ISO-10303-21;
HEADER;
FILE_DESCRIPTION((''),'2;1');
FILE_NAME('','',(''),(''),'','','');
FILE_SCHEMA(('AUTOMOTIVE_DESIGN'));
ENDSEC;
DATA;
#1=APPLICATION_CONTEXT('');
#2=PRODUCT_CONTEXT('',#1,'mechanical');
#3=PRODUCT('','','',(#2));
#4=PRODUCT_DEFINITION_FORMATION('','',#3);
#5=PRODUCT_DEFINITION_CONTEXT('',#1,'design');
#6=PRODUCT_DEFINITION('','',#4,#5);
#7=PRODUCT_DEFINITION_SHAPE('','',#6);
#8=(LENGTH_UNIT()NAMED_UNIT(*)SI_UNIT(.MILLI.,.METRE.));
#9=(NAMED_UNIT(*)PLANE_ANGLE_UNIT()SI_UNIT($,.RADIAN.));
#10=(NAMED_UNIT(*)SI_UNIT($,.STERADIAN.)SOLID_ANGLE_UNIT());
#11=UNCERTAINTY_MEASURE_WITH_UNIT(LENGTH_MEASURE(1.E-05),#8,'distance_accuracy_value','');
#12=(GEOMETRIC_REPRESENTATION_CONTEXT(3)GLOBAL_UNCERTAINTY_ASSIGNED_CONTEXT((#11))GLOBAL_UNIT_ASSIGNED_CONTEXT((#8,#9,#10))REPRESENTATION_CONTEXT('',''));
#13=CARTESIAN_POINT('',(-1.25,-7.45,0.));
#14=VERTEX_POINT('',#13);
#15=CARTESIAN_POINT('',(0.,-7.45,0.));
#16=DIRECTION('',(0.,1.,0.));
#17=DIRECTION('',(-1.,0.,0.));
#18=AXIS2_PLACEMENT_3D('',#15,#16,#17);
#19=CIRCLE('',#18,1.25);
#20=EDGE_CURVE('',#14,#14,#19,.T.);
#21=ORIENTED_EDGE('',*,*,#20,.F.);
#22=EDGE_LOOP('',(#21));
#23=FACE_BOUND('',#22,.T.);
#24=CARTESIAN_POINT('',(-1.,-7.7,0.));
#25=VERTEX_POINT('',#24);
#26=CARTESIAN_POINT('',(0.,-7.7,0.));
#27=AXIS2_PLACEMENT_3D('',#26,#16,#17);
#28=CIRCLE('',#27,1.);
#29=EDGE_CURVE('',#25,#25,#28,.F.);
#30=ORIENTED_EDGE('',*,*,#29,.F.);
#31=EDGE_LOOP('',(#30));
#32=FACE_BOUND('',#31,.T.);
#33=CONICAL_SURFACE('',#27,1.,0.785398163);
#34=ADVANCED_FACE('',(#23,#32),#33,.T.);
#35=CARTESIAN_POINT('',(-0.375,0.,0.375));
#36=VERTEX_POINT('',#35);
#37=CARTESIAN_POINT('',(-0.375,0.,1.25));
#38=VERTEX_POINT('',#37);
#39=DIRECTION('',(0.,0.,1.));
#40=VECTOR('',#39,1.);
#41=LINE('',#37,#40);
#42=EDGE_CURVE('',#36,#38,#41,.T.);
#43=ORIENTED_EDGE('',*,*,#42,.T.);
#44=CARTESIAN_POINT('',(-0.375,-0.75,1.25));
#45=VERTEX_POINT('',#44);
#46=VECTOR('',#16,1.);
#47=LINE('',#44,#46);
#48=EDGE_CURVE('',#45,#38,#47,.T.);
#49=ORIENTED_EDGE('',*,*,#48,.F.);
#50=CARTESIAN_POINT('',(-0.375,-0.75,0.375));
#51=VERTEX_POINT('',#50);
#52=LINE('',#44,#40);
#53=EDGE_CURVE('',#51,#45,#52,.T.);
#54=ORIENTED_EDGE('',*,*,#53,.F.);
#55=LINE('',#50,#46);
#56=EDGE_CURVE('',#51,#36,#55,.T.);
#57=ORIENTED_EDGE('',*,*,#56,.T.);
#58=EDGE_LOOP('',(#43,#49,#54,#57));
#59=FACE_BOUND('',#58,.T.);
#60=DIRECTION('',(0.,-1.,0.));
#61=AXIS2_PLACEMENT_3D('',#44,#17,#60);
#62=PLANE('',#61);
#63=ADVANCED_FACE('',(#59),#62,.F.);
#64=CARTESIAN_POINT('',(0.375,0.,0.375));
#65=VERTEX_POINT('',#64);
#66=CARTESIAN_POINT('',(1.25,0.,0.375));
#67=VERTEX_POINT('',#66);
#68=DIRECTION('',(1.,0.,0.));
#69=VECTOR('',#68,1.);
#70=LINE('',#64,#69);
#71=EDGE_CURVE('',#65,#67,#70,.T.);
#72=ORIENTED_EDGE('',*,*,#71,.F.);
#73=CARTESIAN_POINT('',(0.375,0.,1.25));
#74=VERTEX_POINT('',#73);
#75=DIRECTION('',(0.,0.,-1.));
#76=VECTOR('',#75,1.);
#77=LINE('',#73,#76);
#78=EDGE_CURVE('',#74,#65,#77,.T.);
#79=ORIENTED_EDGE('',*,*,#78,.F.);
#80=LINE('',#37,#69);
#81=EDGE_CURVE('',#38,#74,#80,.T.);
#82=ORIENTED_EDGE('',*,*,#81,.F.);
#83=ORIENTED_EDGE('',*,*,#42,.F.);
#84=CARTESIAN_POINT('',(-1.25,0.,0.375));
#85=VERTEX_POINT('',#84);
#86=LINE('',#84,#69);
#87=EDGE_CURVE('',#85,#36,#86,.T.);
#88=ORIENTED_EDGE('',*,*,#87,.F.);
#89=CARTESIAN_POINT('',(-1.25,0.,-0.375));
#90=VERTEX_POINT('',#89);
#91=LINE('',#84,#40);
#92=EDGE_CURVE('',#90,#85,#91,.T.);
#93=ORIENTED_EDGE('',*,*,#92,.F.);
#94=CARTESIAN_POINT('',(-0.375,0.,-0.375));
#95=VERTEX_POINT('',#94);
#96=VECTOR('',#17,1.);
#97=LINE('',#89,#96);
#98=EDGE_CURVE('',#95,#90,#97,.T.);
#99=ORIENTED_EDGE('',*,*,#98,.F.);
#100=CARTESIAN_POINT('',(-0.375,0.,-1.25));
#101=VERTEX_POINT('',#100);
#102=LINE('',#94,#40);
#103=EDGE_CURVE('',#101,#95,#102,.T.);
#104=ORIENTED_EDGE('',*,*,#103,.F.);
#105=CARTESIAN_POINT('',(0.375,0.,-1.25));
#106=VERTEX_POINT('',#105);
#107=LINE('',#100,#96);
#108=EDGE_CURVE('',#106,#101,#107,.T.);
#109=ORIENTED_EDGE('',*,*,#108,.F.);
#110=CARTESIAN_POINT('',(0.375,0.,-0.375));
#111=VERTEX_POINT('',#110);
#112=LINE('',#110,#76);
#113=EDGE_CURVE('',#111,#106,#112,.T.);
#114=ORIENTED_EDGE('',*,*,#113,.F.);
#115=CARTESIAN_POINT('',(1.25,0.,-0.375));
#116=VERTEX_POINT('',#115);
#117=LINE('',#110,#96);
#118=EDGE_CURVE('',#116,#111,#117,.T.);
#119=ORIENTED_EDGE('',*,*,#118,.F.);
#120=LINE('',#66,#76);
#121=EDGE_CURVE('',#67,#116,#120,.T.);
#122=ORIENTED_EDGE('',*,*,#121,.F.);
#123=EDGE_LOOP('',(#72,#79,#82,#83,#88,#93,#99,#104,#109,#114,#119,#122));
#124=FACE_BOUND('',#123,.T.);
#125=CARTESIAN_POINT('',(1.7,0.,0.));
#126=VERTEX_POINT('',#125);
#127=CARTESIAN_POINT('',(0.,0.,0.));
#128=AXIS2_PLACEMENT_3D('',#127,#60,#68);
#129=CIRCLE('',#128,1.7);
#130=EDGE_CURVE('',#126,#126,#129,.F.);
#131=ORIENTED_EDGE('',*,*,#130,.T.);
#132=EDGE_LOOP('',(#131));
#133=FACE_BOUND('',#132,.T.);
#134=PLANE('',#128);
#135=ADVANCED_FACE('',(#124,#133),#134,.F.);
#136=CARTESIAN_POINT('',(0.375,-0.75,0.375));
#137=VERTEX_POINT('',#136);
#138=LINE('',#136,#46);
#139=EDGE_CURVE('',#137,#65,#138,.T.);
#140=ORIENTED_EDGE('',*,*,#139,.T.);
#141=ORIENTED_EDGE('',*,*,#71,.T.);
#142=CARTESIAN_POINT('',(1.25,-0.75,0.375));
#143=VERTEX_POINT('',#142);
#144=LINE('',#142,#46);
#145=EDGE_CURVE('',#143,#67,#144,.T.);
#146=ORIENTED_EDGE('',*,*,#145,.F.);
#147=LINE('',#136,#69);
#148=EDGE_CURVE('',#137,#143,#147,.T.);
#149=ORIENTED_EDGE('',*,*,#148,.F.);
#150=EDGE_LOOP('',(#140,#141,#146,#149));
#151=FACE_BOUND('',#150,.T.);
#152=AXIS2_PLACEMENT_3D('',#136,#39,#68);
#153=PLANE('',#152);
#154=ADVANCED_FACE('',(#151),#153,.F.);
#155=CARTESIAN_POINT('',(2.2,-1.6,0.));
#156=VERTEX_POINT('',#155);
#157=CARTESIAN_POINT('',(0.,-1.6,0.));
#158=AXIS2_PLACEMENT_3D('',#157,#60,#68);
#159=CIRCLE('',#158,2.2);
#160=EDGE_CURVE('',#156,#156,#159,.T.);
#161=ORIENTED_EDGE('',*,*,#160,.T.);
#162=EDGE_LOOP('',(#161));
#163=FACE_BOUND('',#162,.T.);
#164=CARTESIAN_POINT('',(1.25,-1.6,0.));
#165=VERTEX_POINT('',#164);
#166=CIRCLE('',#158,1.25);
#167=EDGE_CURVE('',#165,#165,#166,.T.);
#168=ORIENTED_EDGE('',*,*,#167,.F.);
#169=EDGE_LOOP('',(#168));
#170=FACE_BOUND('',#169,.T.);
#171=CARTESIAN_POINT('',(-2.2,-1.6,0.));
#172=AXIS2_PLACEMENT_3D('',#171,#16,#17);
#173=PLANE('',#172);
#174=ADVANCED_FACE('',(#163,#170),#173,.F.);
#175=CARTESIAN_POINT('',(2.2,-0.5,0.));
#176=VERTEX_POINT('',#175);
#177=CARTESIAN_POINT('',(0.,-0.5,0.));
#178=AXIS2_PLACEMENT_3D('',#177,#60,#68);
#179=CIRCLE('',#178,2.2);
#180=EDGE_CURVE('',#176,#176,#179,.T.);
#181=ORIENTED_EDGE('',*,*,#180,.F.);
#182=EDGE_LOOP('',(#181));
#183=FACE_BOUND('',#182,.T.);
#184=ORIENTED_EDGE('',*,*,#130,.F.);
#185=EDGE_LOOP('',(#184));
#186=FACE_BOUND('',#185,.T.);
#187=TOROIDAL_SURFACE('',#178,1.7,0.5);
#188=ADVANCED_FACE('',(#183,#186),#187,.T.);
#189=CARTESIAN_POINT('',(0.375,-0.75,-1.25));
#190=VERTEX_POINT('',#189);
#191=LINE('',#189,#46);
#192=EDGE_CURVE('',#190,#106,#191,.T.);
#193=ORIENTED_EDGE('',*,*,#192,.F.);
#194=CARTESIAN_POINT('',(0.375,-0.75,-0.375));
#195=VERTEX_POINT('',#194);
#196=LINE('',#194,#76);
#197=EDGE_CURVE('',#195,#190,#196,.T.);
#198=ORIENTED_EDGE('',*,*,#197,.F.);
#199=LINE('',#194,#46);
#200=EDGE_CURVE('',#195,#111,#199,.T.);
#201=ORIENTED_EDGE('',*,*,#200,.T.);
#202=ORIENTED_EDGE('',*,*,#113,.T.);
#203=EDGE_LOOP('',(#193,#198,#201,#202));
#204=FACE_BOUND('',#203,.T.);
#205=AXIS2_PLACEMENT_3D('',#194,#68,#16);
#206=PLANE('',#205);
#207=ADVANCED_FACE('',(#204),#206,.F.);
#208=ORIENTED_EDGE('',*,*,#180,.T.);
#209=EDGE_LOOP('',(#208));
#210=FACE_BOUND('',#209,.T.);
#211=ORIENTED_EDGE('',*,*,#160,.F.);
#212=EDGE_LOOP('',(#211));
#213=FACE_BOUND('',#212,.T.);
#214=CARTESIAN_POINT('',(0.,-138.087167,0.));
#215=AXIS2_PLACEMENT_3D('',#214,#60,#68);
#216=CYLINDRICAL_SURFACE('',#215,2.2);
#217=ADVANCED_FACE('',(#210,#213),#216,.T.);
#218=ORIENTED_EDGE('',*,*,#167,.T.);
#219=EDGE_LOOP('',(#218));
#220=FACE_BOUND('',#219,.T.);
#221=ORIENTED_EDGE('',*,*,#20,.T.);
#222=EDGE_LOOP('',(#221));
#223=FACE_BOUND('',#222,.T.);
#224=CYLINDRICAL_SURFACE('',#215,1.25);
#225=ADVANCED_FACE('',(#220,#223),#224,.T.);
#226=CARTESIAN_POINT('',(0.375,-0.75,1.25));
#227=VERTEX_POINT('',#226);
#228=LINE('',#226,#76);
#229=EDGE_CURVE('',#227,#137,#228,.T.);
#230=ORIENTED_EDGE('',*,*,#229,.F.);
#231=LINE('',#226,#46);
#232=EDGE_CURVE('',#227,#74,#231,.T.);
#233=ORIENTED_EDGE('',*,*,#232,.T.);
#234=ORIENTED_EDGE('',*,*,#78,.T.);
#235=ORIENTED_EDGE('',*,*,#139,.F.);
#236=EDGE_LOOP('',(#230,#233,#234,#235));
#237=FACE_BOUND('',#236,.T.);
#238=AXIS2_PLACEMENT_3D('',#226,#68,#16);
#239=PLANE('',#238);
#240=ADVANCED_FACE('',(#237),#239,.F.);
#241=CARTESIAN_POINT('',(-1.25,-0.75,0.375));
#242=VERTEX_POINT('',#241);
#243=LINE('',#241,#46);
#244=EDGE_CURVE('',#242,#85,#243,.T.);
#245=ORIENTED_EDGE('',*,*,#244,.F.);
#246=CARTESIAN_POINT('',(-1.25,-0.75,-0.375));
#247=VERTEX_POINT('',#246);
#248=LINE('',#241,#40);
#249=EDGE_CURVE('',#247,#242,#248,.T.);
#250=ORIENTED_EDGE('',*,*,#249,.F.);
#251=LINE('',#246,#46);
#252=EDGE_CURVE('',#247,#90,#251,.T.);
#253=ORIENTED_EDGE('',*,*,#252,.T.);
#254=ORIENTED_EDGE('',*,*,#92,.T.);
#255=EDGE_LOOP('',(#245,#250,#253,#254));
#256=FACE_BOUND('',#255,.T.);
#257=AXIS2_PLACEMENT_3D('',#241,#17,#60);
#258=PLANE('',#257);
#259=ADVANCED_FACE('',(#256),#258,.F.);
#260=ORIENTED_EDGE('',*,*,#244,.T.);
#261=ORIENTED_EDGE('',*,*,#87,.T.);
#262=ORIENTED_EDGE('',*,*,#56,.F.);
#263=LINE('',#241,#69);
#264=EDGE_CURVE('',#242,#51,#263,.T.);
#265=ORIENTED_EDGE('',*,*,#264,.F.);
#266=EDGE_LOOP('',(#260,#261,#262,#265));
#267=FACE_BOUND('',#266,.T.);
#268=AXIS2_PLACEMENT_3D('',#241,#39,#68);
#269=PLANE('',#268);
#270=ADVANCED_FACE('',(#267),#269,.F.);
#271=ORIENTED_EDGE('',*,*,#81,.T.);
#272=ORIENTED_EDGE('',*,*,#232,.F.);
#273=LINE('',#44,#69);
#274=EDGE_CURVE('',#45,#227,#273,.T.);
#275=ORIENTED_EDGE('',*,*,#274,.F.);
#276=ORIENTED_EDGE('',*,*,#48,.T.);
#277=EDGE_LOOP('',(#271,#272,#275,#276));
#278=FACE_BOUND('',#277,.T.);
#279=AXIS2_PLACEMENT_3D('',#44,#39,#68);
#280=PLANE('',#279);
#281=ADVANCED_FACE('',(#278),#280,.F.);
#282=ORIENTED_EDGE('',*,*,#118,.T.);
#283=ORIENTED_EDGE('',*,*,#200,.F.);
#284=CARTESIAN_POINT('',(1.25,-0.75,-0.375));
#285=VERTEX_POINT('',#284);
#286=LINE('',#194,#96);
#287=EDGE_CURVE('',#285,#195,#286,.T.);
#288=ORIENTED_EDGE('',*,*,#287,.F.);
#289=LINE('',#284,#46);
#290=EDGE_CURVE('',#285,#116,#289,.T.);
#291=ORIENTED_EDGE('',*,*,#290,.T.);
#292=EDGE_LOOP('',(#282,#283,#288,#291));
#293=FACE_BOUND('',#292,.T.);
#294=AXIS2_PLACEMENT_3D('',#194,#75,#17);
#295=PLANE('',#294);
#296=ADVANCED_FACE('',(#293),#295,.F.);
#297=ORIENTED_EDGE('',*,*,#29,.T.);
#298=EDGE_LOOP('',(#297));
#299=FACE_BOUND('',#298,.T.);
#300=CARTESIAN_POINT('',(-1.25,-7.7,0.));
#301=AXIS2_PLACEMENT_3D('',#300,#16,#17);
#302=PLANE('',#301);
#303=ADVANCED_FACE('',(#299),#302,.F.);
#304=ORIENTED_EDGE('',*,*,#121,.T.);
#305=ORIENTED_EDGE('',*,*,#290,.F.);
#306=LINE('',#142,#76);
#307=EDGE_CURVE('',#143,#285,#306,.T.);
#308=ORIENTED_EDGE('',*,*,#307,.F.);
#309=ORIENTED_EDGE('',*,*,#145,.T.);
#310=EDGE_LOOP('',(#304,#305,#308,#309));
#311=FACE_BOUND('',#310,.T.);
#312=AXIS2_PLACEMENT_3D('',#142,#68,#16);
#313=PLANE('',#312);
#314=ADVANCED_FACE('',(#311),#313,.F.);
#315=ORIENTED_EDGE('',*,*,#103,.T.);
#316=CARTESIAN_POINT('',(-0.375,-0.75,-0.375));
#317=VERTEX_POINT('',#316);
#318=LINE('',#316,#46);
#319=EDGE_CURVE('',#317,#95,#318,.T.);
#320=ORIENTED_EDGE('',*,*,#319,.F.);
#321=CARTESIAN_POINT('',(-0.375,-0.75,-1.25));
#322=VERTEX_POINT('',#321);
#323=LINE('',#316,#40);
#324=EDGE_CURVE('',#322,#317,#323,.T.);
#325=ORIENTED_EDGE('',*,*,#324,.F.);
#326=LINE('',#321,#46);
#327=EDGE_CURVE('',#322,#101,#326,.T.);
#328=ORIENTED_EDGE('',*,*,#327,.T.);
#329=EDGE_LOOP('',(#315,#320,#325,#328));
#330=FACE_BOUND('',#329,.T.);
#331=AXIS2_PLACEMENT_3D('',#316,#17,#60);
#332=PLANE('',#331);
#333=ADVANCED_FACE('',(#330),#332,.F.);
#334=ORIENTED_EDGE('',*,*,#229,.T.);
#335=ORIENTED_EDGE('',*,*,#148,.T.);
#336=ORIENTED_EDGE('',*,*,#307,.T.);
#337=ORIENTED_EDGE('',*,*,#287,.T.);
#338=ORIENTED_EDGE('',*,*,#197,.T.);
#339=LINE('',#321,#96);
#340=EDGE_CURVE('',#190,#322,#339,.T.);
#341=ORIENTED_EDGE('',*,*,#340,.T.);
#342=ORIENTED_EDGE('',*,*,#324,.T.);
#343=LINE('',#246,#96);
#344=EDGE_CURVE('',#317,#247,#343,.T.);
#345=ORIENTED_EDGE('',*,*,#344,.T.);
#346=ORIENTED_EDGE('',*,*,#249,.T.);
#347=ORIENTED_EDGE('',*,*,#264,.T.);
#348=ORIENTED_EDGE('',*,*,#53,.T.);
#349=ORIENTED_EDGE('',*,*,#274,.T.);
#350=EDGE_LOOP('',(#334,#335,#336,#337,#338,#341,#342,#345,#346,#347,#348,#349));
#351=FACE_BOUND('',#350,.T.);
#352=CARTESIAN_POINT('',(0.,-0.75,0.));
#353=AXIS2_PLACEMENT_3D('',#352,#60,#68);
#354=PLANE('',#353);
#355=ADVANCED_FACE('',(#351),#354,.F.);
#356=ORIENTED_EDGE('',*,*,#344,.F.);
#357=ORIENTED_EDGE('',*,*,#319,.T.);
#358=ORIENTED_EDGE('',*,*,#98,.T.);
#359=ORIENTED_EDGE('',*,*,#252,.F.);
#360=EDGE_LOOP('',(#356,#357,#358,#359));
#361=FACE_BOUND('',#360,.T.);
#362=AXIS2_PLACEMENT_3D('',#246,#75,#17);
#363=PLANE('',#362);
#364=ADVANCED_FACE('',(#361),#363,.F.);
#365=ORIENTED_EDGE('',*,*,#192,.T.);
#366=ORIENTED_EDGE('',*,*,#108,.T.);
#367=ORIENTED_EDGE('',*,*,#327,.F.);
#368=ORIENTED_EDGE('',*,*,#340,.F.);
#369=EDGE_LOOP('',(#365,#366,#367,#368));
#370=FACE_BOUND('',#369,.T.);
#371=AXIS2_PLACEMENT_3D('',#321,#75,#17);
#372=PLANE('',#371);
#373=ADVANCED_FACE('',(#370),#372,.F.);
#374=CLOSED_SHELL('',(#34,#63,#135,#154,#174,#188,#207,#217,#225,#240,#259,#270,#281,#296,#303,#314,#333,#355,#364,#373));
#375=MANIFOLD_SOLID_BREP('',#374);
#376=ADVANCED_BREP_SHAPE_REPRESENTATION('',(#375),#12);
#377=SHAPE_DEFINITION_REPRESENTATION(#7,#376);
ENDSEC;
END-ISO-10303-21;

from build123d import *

# Parameters (mm, degrees)
CHAMFER1_SIZE      = 0.25
FILLET1_R          = 0.5
CUT_EXTRUDE1_DEPTH = 0.75


with BuildPart() as part:
    # Sketch1 → Revolve1 (revolve)
    with BuildSketch(Plane.XY, mode=Mode.PRIVATE) as revolve1_sk:
        Polygon((0, 0), (-2.2, 0), (-2.2, -1.6), (-1.25, -1.6), (-1.25, -7.7), (0, -7.7), align=None)
    revolve(revolve1_sk.sketch.rotate(Axis((0, -138.087166902, 0), (0, 1, 0)), 180), axis=Axis((0, -138.087166902, 0), (0, 1, 0)))

    # Chamfer1
    chamfer1_edges = [part.edges().sort_by_distance(p)[0] for p in [
        (-1.25, -7.7, 0),
    ]]
    chamfer(chamfer1_edges, length=CHAMFER1_SIZE)

    # Fillet1
    fillet1_edges = [part.edges().sort_by_distance(p)[0] for p in [
        (-2.2, 0, 0),
    ]]
    fillet(fillet1_edges, radius=FILLET1_R)

    # Sketch2 → Cut-Extrude1 (cut)
    with BuildSketch(Plane(origin=(0, 0, 0), x_dir=(1, 0, 0), z_dir=(0, 1, 0))):
        Polygon((-0.375, 0.375), (-0.375, 1.25), (0.375, 1.25), (0.375, 0.375), (1.25, 0.375), (1.25, -0.375), (0.375, -0.375), (0.375, -1.25), (-0.375, -1.25), (-0.375, -0.375), (-1.25, -0.375), (-1.25, 0.375), align=None)
    extrude(amount=-CUT_EXTRUDE1_DEPTH, mode=Mode.SUBTRACT)


solid = part.part
